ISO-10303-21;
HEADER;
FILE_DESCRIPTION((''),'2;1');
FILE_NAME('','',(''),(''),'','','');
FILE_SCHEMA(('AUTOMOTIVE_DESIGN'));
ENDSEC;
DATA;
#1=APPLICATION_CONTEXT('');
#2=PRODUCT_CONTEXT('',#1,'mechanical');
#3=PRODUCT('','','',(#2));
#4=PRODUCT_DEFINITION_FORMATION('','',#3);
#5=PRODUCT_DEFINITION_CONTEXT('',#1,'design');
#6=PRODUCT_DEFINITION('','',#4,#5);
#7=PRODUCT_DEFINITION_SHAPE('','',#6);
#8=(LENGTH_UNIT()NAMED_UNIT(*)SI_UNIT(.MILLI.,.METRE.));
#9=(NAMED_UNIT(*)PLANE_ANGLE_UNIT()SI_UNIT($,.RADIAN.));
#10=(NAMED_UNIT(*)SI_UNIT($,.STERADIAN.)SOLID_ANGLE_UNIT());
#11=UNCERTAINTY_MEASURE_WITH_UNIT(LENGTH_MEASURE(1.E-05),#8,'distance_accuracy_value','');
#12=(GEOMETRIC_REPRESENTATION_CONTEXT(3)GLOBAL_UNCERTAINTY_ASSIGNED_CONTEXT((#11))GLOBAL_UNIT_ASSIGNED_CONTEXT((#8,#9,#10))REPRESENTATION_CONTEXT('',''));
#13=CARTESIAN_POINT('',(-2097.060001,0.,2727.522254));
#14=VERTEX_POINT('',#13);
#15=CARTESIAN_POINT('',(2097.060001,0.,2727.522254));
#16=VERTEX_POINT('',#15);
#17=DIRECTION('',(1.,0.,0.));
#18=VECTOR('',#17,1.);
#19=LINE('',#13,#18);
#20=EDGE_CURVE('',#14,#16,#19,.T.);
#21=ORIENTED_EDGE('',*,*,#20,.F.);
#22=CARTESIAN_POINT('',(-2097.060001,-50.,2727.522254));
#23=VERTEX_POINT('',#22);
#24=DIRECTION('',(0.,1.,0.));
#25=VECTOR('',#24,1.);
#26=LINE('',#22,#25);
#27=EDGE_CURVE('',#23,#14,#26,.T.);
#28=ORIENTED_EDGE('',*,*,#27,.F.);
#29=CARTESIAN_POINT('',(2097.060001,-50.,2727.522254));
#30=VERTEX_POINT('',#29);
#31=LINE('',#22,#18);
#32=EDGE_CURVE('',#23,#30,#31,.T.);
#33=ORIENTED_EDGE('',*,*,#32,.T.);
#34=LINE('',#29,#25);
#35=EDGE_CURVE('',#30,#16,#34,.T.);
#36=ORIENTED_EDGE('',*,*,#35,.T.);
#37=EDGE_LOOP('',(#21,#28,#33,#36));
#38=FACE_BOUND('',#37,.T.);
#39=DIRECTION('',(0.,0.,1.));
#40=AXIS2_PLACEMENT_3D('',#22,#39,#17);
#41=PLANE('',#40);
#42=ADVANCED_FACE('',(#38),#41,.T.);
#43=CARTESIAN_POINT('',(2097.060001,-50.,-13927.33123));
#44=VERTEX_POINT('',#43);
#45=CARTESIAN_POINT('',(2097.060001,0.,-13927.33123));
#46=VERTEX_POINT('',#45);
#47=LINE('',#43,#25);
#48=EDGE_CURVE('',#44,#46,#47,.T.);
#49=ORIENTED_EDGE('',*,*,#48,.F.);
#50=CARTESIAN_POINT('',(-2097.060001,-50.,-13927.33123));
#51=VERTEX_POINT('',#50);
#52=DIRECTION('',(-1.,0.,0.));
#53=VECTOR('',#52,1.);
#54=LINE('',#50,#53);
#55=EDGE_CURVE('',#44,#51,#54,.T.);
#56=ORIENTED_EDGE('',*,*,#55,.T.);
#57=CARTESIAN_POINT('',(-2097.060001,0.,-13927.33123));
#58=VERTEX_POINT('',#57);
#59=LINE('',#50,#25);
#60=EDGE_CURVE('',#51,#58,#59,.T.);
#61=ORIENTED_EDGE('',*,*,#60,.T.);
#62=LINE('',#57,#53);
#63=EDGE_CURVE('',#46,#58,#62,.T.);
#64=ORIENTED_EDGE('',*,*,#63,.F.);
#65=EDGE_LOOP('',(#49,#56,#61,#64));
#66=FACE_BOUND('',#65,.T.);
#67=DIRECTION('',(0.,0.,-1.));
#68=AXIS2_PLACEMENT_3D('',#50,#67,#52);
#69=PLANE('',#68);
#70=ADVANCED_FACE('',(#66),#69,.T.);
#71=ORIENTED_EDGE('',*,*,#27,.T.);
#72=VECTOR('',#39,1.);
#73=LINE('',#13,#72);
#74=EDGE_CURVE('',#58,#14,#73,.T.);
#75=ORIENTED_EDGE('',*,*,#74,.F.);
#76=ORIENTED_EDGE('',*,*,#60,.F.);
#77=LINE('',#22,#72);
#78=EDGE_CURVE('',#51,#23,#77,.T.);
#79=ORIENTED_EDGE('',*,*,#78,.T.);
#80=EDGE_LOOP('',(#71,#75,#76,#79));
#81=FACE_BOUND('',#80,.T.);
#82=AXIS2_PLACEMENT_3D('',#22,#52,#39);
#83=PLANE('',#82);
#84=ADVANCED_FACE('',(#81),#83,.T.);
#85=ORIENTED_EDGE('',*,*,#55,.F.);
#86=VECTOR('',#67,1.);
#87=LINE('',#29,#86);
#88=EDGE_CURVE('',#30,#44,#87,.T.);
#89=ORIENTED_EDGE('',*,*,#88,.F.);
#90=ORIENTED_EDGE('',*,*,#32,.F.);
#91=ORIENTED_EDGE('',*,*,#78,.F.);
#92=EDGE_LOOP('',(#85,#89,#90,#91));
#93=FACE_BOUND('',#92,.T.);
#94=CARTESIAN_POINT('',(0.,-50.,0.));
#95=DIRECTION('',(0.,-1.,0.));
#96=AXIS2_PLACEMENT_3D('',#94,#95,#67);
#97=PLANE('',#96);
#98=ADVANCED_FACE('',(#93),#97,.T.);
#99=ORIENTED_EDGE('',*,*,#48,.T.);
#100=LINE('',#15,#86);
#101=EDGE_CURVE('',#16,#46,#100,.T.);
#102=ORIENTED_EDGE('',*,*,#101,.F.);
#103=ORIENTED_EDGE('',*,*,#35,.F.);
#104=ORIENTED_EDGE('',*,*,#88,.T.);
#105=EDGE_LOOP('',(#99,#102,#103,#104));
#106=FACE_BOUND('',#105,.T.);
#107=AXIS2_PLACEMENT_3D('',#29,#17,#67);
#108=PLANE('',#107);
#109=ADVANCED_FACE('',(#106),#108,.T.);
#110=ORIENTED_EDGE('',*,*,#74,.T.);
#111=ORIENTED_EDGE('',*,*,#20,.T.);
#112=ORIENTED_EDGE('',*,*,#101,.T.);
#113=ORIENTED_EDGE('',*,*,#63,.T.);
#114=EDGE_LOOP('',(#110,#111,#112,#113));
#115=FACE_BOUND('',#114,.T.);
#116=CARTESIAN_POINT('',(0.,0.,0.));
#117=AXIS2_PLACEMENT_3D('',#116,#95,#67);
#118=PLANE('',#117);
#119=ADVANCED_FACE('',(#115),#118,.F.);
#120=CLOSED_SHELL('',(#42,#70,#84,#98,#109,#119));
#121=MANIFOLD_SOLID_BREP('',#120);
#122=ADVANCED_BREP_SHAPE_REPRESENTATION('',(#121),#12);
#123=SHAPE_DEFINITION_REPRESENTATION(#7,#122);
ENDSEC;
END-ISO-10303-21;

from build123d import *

# Parameters (mm, degrees)
SKETCH2_W           = 4194.120001994
SKETCH2_H           = 16654.853484584
BOSS_EXTRUDE1_DEPTH = 50


with BuildPart() as part:
    # Sketch2 → Boss-Extrude1 (new body)
    with BuildSketch(Plane(origin=(0, 0, 0), x_dir=(1, 0, 0), z_dir=(0, 1, 0))):
        with Locations((0, 5599.904487956)):
            Rectangle(SKETCH2_W, SKETCH2_H)
    extrude(amount=-BOSS_EXTRUDE1_DEPTH)


solid = part.part
